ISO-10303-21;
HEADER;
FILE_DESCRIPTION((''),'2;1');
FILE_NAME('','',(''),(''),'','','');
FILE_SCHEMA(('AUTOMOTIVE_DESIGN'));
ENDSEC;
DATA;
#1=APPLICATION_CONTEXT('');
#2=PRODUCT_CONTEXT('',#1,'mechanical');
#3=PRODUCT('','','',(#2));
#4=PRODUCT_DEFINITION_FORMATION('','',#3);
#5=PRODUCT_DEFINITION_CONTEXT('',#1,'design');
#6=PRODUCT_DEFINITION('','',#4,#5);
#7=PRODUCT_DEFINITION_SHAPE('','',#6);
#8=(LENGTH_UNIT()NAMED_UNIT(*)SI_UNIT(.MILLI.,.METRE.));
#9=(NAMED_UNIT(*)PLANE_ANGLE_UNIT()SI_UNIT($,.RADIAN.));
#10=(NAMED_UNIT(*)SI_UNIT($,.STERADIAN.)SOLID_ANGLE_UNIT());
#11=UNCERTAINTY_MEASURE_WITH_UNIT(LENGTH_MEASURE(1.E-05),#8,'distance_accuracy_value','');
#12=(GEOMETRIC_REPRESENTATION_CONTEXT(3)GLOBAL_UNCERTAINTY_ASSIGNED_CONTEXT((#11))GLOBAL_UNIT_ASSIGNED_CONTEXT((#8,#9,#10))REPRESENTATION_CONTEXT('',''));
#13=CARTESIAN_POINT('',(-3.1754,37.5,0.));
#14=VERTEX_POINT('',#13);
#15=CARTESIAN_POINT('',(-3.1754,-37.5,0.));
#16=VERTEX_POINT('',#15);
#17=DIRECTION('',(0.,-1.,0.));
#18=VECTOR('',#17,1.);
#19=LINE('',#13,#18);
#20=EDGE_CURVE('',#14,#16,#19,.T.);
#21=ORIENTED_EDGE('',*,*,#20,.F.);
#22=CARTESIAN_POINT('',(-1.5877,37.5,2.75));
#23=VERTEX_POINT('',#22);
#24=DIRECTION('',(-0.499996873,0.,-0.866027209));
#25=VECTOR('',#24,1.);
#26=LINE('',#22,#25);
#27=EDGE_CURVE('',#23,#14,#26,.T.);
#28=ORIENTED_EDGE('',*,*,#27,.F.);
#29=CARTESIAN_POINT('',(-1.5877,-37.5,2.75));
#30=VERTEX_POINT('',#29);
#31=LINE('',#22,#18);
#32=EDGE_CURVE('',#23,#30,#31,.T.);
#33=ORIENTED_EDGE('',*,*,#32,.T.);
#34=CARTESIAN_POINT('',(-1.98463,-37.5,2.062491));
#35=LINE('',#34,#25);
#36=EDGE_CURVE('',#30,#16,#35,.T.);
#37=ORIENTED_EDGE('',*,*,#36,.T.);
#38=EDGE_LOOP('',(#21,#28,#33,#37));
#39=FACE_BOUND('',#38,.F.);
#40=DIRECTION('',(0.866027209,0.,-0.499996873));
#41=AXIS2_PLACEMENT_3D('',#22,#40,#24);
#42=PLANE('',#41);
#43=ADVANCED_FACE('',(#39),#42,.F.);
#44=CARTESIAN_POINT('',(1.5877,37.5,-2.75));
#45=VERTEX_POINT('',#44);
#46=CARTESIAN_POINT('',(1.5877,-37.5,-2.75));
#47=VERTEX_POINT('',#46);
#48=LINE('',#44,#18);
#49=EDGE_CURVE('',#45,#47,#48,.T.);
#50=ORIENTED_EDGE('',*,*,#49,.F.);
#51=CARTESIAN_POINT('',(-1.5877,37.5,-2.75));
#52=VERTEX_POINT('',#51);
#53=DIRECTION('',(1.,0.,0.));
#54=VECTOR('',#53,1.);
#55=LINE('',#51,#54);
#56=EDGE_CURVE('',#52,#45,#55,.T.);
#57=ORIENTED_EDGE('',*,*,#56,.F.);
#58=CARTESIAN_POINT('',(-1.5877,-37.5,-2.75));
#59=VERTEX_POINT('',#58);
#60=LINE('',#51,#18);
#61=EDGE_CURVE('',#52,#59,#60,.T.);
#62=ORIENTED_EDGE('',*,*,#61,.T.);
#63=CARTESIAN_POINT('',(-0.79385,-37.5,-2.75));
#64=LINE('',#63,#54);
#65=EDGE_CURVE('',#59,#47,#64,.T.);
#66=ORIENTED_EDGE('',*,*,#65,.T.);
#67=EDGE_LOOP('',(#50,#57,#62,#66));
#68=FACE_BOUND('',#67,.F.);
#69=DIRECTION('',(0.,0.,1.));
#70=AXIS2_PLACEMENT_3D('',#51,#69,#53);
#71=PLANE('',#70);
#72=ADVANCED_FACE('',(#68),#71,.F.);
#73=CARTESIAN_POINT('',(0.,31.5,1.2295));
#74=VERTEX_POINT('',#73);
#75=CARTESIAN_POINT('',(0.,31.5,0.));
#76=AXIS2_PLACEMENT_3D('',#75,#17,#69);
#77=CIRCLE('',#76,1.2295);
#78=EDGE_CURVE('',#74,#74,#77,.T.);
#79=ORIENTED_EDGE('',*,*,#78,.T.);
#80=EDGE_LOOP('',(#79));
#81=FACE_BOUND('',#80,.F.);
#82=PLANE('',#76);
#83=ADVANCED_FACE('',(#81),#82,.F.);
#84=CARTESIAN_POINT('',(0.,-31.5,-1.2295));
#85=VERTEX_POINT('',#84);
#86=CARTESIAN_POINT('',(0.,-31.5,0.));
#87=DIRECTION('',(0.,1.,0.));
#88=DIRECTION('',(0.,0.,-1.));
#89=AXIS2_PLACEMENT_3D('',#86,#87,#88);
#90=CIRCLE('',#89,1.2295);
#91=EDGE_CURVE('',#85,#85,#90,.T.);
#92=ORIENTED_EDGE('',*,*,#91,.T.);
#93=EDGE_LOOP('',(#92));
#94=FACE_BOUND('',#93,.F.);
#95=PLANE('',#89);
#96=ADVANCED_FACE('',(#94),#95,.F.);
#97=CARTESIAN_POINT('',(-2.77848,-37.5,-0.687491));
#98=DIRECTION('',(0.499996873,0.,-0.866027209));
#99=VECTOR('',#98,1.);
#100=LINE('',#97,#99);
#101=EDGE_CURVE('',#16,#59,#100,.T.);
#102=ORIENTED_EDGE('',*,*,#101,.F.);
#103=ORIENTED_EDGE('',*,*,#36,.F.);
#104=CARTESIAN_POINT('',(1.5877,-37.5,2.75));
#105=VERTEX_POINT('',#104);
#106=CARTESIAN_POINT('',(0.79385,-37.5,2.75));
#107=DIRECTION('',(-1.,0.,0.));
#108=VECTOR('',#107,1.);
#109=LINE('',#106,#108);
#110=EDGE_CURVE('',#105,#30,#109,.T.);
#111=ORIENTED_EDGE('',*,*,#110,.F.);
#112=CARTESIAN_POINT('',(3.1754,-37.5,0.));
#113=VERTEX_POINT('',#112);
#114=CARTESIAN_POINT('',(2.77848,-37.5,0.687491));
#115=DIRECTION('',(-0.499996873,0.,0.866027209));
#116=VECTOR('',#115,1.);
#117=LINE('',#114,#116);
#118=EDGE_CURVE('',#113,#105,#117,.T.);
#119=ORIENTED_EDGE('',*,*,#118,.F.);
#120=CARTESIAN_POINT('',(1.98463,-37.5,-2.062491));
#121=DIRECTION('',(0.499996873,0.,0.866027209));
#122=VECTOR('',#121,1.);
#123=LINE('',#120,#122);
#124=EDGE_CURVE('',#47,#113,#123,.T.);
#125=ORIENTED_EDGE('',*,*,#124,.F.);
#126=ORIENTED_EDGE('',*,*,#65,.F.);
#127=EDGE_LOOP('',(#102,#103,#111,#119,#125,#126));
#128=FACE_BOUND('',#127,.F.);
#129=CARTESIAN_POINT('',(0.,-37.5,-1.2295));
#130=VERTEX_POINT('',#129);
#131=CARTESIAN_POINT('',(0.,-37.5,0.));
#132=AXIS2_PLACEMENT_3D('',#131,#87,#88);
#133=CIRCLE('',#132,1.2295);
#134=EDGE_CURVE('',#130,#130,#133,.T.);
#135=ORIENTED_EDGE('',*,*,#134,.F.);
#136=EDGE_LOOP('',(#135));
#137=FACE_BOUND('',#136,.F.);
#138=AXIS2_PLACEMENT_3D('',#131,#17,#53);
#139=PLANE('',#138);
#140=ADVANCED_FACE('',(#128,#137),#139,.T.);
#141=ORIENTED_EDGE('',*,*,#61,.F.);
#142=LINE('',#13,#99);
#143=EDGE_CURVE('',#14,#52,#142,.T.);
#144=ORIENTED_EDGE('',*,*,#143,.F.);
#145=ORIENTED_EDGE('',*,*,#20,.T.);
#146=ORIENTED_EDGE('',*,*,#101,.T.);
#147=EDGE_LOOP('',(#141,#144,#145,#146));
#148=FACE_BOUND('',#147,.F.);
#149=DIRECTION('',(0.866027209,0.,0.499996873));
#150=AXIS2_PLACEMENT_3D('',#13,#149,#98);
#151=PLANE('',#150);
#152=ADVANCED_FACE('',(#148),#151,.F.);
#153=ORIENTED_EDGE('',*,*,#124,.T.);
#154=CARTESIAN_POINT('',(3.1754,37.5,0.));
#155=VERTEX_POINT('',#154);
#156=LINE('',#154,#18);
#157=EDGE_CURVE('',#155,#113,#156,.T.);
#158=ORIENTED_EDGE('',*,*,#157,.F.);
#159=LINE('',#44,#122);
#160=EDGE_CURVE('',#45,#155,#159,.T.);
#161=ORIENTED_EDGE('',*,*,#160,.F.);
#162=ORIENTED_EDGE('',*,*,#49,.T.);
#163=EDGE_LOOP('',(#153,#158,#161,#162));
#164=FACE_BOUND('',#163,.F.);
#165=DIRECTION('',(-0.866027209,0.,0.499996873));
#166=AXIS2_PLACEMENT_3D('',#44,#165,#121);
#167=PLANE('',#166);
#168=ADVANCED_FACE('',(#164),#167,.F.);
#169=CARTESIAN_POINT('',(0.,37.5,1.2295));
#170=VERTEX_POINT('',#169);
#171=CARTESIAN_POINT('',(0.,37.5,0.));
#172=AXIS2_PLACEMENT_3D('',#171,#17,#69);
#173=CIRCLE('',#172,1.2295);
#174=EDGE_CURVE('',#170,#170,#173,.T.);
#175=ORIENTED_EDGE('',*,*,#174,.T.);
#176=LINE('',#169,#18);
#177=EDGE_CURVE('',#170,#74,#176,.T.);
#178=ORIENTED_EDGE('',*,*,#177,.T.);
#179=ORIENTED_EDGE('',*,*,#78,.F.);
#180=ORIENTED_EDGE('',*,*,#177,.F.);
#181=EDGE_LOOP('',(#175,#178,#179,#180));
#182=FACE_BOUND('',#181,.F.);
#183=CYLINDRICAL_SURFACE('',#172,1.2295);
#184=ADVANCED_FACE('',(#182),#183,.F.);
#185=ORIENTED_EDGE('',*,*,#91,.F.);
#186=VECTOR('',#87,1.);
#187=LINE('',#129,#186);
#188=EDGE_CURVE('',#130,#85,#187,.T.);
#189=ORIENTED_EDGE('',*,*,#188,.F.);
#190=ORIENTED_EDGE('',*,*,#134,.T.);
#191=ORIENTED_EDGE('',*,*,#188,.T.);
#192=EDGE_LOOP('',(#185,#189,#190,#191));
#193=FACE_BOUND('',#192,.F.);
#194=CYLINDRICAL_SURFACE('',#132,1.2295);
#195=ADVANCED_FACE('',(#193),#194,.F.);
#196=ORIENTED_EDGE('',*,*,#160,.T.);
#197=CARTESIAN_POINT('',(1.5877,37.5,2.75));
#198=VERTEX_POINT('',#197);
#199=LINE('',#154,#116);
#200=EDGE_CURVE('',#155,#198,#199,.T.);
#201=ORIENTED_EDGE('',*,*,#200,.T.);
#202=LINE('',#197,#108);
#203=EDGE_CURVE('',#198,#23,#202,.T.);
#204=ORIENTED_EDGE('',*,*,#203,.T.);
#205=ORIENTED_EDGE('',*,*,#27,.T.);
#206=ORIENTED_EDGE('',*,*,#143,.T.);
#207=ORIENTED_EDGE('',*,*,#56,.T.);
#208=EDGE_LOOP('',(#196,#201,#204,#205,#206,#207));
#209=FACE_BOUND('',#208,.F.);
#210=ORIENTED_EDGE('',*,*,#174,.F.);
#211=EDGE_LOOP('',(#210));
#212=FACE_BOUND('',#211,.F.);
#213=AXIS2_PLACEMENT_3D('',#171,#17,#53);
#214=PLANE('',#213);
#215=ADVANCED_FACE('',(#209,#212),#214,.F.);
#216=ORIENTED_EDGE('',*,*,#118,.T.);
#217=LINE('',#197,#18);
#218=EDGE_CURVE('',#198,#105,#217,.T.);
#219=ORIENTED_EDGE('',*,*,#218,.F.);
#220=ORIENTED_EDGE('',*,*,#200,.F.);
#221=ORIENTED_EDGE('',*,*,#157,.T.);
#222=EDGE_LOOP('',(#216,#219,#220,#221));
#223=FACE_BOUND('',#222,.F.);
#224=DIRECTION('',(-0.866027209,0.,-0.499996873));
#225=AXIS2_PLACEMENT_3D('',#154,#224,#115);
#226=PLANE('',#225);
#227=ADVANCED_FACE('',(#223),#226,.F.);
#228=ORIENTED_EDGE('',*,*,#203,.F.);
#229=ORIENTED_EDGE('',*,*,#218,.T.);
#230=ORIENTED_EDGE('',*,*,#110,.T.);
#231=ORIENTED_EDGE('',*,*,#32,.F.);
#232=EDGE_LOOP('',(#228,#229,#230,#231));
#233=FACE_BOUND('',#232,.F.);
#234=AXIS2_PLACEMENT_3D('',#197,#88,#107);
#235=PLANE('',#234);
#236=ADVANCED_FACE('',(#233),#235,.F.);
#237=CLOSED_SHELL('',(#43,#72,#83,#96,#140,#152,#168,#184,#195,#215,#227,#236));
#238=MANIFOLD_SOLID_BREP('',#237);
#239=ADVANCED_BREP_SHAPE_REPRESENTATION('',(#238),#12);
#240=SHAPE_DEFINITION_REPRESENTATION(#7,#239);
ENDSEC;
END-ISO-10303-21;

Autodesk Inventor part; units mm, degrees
ref_plane "YZ Plane" through (0, 0, 0) normal (1, 0, 0) x (0, 1, 0)
ref_plane "XZ Plane" through (0, 0, 0) normal (0, 1, 0) x (-1, 0, 0)
ref_plane "XY Plane" through (0, 0, 0) normal (0, 0, 1) x (1, 0, 0)
sketch "スケッチ1" plane through (0, 0, 0) normal (0, 0, 1) x (1, 0, 0)
  line L0 (0, 37.5) -> (0, -37.5)
  line L1 (0, -37.5) -> (4.7631, -37.5)
  line L2 (4.7631, -37.5) -> (4.7631, 37.5)
  line L3 (4.7631, 37.5) -> (0, 37.5)
  point P0 (0, 0)
  point P1 (0, 0)
  dimension "d0" = 75
  dimension "d1" = 4.7631
revolve "回転1" add sketch "スケッチ1" angle 360 about axis through (0, 37.5, 0) along (0, -1, 0)
sketch "スケッチ2" plane through (0, 37.5, 0) normal (0, 1, 0) x (1, 0, 0)
  line L0 (3.1754, 0) -> (1.5877, -2.75)
  line L1 (1.5877, -2.75) -> (-1.5877, -2.75)
  line L2 (-1.5877, -2.75) -> (-3.1754, 0)
  line L3 (-3.1754, 0) -> (-1.5877, 2.75)
  line L4 (-1.5877, 2.75) -> (1.5877, 2.75)
  line L5 (1.5877, 2.75) -> (3.1754, 0)
  circle A0 centre (0, 0) radius 4.7631
  point P0 (0, 0)
  dimension "d3" = 5.5
extrude "押し出し1" cut sketch "スケッチ2" against normal through all
hole "穴1" at (0, 37.5, 0) direction (0, -1, 0) diameter 2.459 depth 6 thread size "M3x0.5" class "6H" standard "ISO Metric profile"
sketch "スケッチ3" plane through (-1.5877, -37.5, 2.75) normal (0, -1, 0) x (1, 0, 0)
  point P0 (1.5877, -2.75)
  point P1 (1.5877, -2.75)
hole "穴2" at (0, -37.5, 0) direction (0, 1, 0) diameter 2.459 depth 6 thread size "M3x0.5" class "6H" standard "ISO Metric profile"
properties part number "ASU-370H" material "アルミニウム 2014-T4"
